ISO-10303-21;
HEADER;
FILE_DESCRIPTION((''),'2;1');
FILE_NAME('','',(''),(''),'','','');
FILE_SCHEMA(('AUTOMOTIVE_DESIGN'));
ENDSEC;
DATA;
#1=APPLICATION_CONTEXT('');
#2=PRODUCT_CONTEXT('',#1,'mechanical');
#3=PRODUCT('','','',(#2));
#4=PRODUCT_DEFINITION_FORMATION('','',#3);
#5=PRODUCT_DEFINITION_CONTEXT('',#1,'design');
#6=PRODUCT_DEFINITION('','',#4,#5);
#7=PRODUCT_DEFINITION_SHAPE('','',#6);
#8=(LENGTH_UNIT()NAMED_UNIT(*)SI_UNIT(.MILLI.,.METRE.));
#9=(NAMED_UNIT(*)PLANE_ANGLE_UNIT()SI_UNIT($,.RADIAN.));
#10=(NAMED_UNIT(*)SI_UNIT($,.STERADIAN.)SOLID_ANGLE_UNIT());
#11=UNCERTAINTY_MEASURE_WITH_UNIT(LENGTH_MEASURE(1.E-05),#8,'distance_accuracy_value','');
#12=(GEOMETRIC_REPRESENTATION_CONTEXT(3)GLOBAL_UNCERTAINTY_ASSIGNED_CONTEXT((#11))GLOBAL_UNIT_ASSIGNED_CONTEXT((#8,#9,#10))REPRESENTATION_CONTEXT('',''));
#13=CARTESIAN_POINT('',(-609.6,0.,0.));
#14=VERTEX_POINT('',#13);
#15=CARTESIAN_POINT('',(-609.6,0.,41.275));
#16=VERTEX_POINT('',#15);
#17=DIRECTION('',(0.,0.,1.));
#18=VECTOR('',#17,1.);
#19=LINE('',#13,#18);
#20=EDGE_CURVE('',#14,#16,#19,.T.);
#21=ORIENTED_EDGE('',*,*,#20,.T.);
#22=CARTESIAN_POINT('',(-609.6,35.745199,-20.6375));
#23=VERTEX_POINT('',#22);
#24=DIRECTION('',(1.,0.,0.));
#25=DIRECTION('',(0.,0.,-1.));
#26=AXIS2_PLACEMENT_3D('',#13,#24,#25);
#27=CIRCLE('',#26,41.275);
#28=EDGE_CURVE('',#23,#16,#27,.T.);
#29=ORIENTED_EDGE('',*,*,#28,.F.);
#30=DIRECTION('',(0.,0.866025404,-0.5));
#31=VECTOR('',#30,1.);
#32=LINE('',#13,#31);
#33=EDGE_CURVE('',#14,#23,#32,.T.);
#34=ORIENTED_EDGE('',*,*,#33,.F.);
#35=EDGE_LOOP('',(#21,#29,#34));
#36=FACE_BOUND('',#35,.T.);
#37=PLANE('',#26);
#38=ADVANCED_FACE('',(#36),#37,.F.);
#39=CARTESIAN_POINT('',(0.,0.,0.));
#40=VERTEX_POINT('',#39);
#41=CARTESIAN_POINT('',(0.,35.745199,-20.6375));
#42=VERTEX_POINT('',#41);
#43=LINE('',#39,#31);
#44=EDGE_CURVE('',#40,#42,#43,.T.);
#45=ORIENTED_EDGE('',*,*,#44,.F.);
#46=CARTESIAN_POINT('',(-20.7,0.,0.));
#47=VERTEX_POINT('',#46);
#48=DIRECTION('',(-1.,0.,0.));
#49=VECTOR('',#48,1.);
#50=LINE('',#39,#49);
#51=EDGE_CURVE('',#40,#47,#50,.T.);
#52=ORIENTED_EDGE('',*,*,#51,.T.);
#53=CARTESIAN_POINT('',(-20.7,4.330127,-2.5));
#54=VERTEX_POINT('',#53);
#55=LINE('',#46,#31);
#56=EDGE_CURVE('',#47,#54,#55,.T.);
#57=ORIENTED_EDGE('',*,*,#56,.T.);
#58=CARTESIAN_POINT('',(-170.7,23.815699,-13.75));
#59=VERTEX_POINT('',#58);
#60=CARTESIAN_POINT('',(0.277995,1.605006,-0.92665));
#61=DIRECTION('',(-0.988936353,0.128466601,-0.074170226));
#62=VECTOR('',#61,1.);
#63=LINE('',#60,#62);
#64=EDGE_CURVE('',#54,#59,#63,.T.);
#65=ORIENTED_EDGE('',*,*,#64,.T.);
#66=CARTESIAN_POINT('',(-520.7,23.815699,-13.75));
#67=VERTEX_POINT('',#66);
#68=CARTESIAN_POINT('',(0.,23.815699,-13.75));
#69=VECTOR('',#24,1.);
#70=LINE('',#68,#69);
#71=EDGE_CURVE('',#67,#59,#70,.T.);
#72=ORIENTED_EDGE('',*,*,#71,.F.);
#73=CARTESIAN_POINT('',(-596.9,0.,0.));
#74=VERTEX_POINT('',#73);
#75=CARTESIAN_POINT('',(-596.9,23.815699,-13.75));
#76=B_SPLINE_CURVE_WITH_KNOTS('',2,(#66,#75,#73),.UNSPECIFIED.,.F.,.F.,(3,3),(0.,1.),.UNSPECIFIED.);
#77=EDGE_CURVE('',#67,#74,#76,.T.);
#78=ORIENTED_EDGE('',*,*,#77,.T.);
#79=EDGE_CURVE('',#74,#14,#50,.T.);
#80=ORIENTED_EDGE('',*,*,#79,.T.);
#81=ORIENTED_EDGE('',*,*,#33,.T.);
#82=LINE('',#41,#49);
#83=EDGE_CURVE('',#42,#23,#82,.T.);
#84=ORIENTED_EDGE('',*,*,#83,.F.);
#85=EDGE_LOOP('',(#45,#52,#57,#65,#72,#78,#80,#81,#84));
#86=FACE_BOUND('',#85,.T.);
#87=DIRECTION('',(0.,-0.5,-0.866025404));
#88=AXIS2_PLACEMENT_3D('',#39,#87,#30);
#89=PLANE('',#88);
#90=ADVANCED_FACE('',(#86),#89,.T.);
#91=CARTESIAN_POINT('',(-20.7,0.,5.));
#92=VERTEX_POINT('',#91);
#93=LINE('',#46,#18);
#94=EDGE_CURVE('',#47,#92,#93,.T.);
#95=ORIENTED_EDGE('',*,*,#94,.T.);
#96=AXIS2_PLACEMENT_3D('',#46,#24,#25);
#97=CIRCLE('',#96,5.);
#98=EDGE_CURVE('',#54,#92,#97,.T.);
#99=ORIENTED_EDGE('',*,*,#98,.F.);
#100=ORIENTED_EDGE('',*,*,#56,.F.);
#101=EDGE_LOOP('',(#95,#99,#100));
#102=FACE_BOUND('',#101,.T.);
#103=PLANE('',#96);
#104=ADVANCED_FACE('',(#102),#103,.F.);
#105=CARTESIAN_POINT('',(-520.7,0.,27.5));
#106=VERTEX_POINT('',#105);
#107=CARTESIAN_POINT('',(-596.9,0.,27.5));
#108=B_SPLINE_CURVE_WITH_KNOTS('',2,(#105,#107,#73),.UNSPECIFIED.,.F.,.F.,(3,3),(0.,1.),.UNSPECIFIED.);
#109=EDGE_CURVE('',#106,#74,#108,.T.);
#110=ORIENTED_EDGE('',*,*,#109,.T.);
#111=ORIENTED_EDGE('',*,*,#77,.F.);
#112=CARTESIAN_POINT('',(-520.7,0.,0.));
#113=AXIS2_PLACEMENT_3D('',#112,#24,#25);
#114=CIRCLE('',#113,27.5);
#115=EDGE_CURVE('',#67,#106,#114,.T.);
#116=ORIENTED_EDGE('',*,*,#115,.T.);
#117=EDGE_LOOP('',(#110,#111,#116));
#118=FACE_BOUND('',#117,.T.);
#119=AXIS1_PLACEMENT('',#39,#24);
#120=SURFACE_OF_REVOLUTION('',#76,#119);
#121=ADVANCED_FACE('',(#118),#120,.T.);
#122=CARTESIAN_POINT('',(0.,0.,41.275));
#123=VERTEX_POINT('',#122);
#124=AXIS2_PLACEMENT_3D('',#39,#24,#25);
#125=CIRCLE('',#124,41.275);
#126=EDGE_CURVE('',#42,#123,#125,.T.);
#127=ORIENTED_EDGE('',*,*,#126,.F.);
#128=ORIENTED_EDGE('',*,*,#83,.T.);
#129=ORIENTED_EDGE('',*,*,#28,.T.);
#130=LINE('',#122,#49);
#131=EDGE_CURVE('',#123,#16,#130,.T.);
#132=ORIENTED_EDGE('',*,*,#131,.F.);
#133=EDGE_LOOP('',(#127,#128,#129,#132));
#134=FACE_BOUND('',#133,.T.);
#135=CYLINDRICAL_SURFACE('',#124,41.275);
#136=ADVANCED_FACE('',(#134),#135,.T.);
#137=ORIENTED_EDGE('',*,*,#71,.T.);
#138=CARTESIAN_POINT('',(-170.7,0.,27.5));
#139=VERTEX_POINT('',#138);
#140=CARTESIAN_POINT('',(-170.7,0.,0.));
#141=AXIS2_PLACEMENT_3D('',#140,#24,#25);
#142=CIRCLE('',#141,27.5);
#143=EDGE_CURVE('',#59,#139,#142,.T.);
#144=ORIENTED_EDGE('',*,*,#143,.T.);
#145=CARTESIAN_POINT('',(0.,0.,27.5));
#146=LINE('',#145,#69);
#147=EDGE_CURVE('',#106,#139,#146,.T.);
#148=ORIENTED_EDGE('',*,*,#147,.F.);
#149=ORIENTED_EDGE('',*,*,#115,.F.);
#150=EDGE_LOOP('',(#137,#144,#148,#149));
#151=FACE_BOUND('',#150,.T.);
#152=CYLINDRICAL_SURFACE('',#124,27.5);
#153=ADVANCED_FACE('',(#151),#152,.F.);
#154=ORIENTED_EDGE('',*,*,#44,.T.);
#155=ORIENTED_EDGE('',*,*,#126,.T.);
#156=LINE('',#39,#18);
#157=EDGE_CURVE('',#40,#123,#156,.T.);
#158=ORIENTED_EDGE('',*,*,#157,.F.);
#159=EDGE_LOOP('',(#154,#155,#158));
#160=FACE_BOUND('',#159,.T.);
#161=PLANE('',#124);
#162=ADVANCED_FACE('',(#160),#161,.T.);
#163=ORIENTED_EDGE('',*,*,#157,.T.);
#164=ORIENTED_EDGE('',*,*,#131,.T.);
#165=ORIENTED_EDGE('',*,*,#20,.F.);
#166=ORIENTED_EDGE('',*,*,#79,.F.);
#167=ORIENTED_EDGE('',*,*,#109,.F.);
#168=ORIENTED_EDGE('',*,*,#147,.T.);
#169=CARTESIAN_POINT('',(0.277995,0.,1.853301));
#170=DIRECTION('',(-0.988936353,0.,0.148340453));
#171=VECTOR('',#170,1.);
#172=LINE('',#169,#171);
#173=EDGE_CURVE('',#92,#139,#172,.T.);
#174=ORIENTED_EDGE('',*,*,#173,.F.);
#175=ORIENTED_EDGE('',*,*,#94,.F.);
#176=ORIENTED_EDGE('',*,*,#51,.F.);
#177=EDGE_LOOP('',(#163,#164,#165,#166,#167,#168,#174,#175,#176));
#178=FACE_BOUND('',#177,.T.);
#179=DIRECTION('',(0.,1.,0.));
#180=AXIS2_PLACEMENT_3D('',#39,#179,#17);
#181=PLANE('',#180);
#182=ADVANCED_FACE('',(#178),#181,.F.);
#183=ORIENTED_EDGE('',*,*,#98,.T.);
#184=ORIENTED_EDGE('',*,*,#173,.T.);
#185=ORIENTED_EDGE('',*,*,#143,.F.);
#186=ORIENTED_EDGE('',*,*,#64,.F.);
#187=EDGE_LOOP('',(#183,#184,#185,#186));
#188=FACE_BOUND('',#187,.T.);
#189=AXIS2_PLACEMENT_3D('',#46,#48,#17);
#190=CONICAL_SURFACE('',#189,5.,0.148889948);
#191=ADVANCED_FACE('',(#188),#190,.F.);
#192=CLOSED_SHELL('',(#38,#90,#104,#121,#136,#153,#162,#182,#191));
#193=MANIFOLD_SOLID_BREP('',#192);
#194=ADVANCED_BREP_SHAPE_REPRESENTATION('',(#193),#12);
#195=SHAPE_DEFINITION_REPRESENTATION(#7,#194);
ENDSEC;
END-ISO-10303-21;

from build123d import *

# Parameters (mm, degrees)
REVOLVE1_ANGLE = 120


with BuildPart() as part:
    # Sketch1 → Revolve1 (revolve)
    with BuildSketch(Plane(origin=(0, 0, 0), x_dir=(1, 0, 0), z_dir=(0, 1, 0))):
        Polygon((0, -41.275), (0, 0), (-20.7, 0), (-20.7, -5), (-170.7, -27.5), (-520.7, -27.5), (-596.9, -27.5), (-596.9, 0), (-609.6, 0), (-609.6, -41.275), align=None)
        with BuildLine():
            Line((-596.9, -27.5), (-520.7, -27.5))
            add(Edge.make_bspline(
                [(-520.7, -27.5), (-596.9, -27.5), (-596.9, 0)],
                knots=[0, 0, 0, 1, 1, 1], degree=2))
            Line((-596.9, 0), (-596.9, -27.5))
        make_face()
    revolve(axis=Axis((0, 0, 0), (-1, 0, 0)), revolution_arc=REVOLVE1_ANGLE)


solid = part.part
